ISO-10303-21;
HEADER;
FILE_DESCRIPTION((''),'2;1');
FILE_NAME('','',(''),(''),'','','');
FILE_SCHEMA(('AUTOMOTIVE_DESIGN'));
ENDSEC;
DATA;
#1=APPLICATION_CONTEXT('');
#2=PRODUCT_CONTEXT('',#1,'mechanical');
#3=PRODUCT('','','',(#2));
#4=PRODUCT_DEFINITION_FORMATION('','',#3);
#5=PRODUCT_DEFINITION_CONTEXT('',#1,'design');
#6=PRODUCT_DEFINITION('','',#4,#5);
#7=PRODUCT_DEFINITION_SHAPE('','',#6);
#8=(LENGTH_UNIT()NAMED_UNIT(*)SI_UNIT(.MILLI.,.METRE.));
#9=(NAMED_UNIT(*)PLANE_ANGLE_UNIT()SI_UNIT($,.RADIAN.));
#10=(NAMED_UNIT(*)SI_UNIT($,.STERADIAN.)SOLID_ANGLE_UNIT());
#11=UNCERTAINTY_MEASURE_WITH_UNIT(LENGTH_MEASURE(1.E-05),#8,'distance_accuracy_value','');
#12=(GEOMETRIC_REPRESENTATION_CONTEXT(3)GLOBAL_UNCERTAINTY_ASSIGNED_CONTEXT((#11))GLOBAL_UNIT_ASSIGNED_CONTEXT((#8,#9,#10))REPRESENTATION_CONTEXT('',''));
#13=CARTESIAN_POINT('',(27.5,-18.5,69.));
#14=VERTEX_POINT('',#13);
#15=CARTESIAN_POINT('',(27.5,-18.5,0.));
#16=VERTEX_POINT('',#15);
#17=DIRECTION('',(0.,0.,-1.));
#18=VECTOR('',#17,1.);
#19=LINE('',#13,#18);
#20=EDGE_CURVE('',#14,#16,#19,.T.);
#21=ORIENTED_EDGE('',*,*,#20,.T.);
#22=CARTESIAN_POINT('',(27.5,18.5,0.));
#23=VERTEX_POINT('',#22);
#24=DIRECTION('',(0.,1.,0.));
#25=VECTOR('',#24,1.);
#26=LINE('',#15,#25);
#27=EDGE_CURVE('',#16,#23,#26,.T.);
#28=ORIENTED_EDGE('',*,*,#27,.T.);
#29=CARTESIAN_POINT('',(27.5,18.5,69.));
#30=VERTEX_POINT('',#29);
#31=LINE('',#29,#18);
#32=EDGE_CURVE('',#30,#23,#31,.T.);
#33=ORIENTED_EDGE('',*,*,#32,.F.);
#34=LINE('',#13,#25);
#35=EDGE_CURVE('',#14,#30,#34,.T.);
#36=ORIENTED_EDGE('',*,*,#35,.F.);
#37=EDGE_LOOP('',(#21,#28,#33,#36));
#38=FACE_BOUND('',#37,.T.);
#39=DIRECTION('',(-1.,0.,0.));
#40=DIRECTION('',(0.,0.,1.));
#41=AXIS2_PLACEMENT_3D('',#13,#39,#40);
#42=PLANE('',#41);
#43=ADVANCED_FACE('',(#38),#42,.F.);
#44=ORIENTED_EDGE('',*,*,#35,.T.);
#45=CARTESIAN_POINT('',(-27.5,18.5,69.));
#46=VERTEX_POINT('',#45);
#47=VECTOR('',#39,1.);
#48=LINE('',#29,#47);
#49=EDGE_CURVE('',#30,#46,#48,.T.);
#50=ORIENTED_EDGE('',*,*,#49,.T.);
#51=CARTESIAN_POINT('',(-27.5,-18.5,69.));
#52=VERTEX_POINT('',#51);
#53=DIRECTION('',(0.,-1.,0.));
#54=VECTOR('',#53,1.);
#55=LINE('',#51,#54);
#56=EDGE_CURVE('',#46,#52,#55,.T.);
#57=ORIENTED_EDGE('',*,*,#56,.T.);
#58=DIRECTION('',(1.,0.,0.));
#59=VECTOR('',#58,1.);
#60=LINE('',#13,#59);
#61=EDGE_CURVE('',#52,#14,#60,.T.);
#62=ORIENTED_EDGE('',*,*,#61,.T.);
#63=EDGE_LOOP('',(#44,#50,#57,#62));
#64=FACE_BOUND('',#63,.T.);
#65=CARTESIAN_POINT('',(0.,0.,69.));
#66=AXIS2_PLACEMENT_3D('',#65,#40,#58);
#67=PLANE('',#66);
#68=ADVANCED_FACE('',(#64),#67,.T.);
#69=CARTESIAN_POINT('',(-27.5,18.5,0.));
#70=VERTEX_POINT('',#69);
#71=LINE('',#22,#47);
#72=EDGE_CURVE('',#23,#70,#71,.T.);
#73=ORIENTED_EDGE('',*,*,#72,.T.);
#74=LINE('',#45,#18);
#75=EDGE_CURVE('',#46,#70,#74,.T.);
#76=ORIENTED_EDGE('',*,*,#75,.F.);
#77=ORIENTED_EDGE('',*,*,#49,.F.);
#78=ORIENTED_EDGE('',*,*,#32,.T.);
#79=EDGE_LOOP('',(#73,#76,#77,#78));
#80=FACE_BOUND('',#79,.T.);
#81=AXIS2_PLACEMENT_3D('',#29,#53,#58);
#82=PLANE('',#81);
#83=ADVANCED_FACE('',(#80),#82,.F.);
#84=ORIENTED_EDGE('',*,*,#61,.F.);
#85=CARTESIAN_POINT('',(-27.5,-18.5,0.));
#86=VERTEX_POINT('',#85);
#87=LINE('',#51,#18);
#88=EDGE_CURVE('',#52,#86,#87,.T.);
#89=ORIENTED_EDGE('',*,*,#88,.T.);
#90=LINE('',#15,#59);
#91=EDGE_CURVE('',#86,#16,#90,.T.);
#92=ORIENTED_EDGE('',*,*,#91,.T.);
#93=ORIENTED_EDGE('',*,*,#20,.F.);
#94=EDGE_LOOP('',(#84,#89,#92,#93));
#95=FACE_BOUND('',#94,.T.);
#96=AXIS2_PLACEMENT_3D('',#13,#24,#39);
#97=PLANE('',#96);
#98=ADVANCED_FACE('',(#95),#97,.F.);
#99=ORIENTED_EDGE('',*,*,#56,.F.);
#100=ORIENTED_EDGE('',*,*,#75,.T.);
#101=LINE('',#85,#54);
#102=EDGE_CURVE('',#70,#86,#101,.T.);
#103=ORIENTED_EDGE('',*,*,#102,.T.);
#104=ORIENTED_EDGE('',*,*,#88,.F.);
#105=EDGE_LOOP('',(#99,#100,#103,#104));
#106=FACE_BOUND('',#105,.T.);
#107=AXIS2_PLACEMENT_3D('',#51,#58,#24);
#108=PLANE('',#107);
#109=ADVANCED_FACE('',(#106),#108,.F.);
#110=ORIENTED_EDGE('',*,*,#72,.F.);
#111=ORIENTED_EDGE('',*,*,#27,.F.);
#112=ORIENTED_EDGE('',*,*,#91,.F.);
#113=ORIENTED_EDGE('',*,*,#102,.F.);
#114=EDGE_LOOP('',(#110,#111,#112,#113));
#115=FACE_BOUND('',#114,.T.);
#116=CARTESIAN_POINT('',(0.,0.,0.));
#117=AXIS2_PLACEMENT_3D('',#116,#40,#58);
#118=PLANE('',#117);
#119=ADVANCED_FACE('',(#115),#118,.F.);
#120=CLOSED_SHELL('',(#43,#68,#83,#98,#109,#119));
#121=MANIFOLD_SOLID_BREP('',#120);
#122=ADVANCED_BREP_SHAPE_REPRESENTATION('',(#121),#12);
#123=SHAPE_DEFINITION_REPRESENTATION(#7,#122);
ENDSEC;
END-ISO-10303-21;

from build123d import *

# Parameters (mm, degrees)
SKETCH_1_W      = 55
SKETCH_1_H      = 37
EXTRUDE_1_DEPTH = 69


with BuildPart() as part:
    # 草图1 → 凸台-拉伸1 (new body)
    with BuildSketch(Plane.XY):
        Rectangle(SKETCH_1_W, SKETCH_1_H)
    extrude(amount=EXTRUDE_1_DEPTH)


solid = part.part
